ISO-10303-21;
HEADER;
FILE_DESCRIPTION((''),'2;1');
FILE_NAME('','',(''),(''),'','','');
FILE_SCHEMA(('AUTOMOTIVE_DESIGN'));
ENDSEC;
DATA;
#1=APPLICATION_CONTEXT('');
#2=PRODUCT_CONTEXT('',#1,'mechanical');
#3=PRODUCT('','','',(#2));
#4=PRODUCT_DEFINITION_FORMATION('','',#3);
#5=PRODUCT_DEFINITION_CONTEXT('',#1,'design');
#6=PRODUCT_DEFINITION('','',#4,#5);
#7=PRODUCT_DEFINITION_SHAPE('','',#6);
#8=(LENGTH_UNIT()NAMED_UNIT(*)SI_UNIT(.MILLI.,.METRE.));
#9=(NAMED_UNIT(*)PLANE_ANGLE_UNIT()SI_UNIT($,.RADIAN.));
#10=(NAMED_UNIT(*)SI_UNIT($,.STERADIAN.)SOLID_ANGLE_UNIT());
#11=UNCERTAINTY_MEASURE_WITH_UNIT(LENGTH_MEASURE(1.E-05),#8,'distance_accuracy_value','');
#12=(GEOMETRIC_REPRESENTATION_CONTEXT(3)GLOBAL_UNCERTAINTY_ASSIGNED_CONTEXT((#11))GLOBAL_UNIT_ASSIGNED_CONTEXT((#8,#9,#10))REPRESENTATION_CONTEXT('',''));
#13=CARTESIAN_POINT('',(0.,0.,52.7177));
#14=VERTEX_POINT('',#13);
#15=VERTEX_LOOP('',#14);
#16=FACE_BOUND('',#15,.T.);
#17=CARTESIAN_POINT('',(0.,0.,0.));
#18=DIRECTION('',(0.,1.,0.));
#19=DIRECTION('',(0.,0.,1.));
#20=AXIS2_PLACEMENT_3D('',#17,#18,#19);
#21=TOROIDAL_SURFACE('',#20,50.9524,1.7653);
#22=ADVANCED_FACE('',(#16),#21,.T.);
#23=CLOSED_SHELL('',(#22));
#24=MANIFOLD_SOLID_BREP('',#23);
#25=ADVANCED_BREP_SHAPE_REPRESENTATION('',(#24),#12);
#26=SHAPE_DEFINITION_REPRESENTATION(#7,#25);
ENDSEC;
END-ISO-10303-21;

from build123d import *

# Parameters (mm, degrees)
SKETCH1_R = 1.7653


with BuildPart() as part:
    # Sketch1 → Revolve1 (revolve)
    with BuildSketch(Plane.XY, mode=Mode.PRIVATE) as revolve1_sk:
        with Locations((50.9524, 0)):
            Circle(SKETCH1_R)
    revolve(revolve1_sk.sketch.rotate(Axis((0, 0, 0), (0, -1, 0)), 90), axis=Axis((0, 0, 0), (0, -1, 0)))


solid = part.part
